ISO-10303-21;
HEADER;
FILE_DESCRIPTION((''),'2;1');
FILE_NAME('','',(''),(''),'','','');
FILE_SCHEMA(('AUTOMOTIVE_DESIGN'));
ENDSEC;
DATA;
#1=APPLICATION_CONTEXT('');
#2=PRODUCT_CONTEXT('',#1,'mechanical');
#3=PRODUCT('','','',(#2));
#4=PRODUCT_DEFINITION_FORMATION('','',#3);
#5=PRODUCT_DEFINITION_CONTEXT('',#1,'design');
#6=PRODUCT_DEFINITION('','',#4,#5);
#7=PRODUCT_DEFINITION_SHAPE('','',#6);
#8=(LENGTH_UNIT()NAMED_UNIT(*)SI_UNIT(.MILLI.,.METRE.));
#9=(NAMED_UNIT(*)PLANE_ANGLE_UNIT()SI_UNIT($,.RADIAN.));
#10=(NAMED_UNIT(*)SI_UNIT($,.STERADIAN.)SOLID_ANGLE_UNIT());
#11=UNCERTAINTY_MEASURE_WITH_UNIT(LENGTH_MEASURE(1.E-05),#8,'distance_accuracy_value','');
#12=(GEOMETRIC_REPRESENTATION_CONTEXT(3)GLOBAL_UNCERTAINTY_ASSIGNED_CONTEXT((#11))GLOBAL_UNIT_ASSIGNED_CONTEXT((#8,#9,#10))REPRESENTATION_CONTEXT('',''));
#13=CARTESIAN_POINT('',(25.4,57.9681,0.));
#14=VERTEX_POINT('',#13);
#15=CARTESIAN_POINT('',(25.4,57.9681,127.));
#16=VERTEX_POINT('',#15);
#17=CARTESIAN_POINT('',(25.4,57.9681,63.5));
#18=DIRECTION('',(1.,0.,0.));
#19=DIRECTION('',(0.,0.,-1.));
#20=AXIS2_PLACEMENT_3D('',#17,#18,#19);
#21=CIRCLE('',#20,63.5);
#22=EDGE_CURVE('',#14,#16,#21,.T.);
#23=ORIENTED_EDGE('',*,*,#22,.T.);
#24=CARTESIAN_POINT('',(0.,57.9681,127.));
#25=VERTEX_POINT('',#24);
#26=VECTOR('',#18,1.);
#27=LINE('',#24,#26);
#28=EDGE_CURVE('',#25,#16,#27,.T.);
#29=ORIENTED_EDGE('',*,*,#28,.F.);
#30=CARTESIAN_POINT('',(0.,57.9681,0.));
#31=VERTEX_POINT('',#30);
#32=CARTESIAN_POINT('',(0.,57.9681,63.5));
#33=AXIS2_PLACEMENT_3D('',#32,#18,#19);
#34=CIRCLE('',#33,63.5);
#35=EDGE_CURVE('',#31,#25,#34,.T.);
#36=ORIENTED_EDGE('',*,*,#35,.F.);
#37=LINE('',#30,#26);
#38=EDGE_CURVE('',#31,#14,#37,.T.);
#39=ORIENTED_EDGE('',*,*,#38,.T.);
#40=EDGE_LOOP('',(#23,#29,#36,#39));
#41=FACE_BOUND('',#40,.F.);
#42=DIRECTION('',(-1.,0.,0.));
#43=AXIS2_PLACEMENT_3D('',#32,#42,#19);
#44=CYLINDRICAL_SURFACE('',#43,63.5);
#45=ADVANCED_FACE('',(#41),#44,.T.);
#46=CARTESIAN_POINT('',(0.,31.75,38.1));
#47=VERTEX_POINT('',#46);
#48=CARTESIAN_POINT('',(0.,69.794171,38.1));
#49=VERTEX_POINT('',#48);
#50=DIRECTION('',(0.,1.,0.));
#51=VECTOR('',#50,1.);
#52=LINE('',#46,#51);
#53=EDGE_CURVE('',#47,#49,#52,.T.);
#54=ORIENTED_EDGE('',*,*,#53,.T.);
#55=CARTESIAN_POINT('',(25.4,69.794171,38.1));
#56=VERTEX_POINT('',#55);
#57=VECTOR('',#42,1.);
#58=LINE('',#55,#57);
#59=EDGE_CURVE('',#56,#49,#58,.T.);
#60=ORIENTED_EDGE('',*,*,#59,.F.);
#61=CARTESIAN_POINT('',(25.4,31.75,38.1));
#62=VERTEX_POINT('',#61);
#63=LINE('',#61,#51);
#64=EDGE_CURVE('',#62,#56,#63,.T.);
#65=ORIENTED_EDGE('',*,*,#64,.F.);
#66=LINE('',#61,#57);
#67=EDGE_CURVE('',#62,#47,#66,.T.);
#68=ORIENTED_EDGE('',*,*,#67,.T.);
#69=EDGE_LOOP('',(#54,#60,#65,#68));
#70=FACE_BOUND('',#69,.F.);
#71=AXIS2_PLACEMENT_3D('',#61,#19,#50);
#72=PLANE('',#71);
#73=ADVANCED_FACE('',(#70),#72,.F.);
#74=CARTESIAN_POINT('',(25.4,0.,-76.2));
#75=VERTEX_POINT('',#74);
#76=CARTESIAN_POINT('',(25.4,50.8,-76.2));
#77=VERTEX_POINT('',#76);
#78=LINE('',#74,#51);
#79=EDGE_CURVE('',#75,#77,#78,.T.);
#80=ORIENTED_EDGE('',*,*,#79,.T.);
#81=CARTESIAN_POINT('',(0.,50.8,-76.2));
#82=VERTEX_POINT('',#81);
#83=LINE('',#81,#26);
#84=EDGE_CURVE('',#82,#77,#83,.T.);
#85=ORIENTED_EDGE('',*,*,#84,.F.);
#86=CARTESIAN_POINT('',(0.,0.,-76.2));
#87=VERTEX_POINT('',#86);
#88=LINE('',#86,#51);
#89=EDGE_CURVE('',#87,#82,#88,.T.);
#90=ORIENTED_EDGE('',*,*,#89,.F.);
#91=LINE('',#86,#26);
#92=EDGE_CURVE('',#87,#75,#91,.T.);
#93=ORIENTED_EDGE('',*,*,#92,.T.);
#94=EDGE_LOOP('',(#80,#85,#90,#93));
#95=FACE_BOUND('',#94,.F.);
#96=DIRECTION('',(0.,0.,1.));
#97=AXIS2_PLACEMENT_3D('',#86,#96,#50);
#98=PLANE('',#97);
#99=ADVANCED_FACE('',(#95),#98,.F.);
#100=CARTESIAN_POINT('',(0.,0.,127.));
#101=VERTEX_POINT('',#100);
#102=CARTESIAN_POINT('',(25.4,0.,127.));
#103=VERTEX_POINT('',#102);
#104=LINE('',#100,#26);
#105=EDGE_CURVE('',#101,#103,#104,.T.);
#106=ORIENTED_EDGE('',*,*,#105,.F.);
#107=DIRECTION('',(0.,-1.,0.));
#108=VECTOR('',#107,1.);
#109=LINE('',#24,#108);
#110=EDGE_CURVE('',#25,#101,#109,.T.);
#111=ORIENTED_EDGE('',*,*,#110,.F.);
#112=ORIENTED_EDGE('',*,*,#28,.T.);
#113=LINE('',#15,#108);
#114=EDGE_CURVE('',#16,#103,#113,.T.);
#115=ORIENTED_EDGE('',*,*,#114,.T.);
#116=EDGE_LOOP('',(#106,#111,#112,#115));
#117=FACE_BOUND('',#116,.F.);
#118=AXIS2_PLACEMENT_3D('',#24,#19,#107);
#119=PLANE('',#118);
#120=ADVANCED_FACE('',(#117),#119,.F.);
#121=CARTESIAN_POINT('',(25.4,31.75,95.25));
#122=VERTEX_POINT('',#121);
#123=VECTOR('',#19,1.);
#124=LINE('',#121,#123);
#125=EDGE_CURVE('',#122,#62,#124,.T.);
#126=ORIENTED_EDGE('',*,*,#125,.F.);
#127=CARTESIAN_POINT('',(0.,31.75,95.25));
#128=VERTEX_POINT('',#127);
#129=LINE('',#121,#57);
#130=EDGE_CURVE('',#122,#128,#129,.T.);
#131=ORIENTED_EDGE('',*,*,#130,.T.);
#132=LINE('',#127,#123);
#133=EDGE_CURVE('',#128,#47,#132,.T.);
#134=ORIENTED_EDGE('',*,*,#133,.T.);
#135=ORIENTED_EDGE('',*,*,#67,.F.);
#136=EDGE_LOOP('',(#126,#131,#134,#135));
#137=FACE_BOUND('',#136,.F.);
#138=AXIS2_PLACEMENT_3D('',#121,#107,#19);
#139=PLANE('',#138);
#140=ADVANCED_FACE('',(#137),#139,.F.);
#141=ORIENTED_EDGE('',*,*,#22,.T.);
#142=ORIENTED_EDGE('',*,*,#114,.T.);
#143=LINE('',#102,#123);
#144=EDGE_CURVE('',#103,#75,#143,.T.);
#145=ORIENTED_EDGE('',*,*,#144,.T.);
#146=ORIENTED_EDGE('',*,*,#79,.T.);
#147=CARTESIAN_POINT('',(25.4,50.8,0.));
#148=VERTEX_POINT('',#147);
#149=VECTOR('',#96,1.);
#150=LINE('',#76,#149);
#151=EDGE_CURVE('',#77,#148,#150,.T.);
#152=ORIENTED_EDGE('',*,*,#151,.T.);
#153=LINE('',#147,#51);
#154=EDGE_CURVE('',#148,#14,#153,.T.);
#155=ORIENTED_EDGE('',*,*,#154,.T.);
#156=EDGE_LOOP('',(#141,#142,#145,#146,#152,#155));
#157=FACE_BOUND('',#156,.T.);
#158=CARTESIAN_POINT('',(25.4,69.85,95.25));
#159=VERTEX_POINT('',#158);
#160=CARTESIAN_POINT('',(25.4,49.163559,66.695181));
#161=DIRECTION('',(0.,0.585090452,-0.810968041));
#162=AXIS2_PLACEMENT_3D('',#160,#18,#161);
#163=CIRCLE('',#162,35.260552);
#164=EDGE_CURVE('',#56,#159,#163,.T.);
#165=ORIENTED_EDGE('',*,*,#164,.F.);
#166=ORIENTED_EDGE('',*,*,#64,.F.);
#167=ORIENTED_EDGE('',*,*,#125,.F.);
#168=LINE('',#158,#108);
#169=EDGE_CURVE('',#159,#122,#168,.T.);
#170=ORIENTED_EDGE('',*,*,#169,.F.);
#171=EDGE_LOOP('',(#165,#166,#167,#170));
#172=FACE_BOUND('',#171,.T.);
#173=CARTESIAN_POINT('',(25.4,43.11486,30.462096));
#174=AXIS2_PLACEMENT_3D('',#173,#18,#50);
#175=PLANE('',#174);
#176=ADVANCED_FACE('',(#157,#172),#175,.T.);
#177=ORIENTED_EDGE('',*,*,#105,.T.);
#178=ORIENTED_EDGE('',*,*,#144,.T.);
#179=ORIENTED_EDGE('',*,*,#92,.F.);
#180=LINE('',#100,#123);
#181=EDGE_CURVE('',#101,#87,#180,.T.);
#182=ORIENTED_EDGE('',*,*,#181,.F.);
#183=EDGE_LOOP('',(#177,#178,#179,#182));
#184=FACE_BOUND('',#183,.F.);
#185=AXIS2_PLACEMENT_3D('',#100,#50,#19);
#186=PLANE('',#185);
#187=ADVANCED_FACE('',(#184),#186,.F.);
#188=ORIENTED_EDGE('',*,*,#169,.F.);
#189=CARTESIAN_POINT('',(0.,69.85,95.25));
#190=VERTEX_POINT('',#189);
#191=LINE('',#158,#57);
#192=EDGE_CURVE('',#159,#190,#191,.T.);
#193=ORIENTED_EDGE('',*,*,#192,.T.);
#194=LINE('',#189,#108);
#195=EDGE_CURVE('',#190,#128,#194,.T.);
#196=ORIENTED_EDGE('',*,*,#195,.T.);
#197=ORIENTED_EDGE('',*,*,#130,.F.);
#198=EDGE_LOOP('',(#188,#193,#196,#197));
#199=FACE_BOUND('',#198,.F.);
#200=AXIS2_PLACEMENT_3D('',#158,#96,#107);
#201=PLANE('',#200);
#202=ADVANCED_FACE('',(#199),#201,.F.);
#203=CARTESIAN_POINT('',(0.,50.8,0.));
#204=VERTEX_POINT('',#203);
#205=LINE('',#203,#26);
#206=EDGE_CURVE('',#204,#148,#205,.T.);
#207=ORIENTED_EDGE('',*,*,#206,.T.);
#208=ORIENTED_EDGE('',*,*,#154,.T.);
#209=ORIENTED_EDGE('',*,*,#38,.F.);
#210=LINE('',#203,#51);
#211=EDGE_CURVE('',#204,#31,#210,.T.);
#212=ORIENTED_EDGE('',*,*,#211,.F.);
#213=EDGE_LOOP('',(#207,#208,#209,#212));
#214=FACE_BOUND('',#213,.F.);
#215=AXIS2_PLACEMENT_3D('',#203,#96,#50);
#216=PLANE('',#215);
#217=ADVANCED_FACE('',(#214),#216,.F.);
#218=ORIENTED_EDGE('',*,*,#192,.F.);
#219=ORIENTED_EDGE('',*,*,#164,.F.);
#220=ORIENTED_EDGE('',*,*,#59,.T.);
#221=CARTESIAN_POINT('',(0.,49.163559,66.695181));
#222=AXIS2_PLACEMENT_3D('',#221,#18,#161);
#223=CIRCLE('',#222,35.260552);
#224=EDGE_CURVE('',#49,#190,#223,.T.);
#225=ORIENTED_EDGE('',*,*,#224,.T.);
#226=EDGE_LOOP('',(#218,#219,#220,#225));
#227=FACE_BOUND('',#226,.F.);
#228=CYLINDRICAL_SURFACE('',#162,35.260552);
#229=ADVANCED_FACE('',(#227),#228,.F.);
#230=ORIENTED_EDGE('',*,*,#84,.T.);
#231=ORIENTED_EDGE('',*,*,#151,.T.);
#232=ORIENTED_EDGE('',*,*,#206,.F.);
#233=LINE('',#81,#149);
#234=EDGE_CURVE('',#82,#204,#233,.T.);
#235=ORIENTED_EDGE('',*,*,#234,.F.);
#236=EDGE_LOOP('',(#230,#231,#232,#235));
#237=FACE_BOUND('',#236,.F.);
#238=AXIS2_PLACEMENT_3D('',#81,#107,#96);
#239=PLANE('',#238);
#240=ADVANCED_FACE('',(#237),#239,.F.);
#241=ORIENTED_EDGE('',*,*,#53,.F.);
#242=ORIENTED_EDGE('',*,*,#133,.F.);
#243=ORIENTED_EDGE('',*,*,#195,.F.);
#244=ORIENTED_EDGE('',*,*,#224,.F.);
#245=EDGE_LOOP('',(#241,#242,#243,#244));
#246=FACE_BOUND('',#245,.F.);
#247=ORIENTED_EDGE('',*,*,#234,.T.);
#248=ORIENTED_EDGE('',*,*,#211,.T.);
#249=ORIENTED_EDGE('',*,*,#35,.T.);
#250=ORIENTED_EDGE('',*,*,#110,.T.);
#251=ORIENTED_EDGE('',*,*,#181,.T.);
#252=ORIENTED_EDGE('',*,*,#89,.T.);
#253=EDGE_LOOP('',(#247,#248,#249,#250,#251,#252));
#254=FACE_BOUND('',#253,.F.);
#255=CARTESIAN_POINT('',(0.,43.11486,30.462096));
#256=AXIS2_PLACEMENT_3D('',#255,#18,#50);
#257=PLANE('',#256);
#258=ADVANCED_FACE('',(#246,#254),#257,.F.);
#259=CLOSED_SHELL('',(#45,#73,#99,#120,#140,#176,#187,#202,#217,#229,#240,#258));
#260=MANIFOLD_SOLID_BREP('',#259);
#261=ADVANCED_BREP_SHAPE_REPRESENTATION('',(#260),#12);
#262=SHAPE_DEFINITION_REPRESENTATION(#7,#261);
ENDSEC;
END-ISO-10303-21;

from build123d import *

# Parameters (mm, degrees)
F1_DEPTH = 25.4
F3_DEPTH = 25.4


with BuildPart() as f1:
    # F0 (on Right) → F1 (new body)
    with BuildSketch(Plane.YZ):
        with BuildLine():
            Line((0, 127), (0, -76.2))
            Line((0, -76.2), (50.8, -76.2))
            Line((50.8, -76.2), (50.8, 0))
            Line((50.8, 0), (57.9681, 0))
            ThreePointArc((57.9681, 0), (121.4681, 63.5), (57.9681, 127))
            Line((57.9681, 127), (29.295705, 127))
            Line((29.295705, 127), (0, 127))
        make_face()
    extrude(amount=F1_DEPTH)

    # F2 (on face) → F3 (cut)
    with BuildSketch(Plane.YZ.offset(25.4)):
        with BuildLine():
            Line((31.75, 38.1), (50.8, 38.1))
            Line((50.8, 38.1), (69.794171, 38.1))
            ThreePointArc((69.794171, 38.1), (84.424094, 66.660735), (69.85, 95.25))
            Line((69.85, 95.25), (31.75, 95.25))
            Line((31.75, 95.25), (31.75, 38.1))
        make_face()
    extrude(amount=-F3_DEPTH, mode=Mode.SUBTRACT)


solid = f1.part
